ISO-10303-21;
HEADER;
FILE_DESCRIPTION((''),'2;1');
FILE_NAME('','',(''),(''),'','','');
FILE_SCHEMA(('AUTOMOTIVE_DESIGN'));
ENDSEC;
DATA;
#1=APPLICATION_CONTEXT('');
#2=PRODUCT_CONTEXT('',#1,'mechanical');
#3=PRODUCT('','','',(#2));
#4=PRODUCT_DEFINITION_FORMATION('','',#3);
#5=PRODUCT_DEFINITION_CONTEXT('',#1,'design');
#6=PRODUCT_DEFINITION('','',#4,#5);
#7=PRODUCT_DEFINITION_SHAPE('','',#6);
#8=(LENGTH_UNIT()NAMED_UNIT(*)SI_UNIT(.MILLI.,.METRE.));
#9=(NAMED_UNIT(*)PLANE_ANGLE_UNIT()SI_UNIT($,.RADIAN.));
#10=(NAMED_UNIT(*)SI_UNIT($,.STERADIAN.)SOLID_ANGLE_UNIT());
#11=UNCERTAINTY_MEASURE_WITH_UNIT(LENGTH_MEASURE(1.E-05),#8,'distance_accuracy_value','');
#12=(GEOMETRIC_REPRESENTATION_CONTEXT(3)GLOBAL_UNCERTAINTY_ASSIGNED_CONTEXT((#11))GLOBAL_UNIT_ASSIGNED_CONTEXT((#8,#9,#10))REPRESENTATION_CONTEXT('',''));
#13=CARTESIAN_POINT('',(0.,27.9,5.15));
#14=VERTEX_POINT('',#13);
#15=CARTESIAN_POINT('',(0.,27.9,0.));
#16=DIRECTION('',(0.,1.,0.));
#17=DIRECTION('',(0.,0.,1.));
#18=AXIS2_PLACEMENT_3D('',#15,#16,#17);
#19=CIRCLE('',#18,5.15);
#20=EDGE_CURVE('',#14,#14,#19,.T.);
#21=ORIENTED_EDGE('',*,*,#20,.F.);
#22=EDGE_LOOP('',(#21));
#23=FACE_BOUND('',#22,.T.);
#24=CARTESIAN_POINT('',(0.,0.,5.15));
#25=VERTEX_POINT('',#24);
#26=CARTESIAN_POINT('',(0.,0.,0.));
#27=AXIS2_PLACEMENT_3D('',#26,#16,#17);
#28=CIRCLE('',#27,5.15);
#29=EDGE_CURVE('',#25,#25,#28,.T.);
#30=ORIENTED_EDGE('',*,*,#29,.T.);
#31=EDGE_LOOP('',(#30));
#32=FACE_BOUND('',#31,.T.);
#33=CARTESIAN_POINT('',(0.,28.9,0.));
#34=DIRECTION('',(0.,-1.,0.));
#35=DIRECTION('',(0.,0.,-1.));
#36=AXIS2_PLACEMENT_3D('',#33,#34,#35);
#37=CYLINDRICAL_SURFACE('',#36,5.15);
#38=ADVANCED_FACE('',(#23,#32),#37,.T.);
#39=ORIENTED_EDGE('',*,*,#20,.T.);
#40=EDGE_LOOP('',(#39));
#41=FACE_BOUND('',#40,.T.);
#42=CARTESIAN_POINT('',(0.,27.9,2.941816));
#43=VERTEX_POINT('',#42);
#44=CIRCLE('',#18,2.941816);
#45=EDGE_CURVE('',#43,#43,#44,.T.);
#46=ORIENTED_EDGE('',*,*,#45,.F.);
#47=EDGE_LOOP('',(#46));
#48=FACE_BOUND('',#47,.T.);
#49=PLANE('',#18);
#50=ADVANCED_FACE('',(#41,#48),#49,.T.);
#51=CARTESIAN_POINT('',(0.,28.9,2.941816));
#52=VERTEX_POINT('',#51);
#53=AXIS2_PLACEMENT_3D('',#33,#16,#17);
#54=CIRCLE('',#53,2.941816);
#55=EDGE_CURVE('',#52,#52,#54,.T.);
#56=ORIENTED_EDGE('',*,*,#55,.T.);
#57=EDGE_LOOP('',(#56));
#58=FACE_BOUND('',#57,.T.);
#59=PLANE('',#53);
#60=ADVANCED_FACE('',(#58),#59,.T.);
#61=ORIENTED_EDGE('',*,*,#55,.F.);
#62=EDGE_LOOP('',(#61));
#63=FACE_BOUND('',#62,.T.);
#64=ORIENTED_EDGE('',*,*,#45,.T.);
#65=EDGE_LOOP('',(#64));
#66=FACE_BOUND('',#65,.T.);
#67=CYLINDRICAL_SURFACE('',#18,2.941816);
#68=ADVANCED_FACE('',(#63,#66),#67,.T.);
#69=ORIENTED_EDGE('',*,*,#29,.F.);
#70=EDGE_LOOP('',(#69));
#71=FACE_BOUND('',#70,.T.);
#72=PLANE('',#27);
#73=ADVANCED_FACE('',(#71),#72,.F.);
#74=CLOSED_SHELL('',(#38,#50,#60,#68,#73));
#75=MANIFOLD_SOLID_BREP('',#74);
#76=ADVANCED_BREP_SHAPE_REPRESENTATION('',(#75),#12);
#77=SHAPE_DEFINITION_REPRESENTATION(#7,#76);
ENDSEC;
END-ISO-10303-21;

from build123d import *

# Parameters (mm, degrees)
CROQUIS1_R              = 5.15
SALIENTE_EXTRUIR1_DEPTH = 28.9
CORTAR_EXTRUIR1_START   = -1
CROQUIS2_R              = 5.15
CROQUIS2_R_2            = 2.941816229
CORTAR_EXTRUIR1_DEPTH   = 1


with BuildPart() as part:
    # Croquis1 → Saliente-Extruir1 (new body)
    with BuildSketch(Plane(origin=(0, 0, 0), x_dir=(1, 0, 0), z_dir=(0, 1, 0))):
        with Locations(Location((0, 0, 0), (0, 0, 270))):
            Circle(CROQUIS1_R)
    extrude(amount=SALIENTE_EXTRUIR1_DEPTH)

    # Croquis2 → Cortar-Extruir1 (cut)
    with BuildSketch(Plane(origin=(0, 28.9, 0), x_dir=(1, 0, 0), z_dir=(0, 1, 0)).offset(CORTAR_EXTRUIR1_START)):
        with Locations(Location((0, 0, 0), (0, 0, 270))):
            Circle(CROQUIS2_R)
        with Locations(Location((0, 0, 0), (0, 0, 270))):
            Circle(CROQUIS2_R_2, mode=Mode.SUBTRACT)
    extrude(amount=CORTAR_EXTRUIR1_DEPTH, mode=Mode.SUBTRACT)


solid = part.part
